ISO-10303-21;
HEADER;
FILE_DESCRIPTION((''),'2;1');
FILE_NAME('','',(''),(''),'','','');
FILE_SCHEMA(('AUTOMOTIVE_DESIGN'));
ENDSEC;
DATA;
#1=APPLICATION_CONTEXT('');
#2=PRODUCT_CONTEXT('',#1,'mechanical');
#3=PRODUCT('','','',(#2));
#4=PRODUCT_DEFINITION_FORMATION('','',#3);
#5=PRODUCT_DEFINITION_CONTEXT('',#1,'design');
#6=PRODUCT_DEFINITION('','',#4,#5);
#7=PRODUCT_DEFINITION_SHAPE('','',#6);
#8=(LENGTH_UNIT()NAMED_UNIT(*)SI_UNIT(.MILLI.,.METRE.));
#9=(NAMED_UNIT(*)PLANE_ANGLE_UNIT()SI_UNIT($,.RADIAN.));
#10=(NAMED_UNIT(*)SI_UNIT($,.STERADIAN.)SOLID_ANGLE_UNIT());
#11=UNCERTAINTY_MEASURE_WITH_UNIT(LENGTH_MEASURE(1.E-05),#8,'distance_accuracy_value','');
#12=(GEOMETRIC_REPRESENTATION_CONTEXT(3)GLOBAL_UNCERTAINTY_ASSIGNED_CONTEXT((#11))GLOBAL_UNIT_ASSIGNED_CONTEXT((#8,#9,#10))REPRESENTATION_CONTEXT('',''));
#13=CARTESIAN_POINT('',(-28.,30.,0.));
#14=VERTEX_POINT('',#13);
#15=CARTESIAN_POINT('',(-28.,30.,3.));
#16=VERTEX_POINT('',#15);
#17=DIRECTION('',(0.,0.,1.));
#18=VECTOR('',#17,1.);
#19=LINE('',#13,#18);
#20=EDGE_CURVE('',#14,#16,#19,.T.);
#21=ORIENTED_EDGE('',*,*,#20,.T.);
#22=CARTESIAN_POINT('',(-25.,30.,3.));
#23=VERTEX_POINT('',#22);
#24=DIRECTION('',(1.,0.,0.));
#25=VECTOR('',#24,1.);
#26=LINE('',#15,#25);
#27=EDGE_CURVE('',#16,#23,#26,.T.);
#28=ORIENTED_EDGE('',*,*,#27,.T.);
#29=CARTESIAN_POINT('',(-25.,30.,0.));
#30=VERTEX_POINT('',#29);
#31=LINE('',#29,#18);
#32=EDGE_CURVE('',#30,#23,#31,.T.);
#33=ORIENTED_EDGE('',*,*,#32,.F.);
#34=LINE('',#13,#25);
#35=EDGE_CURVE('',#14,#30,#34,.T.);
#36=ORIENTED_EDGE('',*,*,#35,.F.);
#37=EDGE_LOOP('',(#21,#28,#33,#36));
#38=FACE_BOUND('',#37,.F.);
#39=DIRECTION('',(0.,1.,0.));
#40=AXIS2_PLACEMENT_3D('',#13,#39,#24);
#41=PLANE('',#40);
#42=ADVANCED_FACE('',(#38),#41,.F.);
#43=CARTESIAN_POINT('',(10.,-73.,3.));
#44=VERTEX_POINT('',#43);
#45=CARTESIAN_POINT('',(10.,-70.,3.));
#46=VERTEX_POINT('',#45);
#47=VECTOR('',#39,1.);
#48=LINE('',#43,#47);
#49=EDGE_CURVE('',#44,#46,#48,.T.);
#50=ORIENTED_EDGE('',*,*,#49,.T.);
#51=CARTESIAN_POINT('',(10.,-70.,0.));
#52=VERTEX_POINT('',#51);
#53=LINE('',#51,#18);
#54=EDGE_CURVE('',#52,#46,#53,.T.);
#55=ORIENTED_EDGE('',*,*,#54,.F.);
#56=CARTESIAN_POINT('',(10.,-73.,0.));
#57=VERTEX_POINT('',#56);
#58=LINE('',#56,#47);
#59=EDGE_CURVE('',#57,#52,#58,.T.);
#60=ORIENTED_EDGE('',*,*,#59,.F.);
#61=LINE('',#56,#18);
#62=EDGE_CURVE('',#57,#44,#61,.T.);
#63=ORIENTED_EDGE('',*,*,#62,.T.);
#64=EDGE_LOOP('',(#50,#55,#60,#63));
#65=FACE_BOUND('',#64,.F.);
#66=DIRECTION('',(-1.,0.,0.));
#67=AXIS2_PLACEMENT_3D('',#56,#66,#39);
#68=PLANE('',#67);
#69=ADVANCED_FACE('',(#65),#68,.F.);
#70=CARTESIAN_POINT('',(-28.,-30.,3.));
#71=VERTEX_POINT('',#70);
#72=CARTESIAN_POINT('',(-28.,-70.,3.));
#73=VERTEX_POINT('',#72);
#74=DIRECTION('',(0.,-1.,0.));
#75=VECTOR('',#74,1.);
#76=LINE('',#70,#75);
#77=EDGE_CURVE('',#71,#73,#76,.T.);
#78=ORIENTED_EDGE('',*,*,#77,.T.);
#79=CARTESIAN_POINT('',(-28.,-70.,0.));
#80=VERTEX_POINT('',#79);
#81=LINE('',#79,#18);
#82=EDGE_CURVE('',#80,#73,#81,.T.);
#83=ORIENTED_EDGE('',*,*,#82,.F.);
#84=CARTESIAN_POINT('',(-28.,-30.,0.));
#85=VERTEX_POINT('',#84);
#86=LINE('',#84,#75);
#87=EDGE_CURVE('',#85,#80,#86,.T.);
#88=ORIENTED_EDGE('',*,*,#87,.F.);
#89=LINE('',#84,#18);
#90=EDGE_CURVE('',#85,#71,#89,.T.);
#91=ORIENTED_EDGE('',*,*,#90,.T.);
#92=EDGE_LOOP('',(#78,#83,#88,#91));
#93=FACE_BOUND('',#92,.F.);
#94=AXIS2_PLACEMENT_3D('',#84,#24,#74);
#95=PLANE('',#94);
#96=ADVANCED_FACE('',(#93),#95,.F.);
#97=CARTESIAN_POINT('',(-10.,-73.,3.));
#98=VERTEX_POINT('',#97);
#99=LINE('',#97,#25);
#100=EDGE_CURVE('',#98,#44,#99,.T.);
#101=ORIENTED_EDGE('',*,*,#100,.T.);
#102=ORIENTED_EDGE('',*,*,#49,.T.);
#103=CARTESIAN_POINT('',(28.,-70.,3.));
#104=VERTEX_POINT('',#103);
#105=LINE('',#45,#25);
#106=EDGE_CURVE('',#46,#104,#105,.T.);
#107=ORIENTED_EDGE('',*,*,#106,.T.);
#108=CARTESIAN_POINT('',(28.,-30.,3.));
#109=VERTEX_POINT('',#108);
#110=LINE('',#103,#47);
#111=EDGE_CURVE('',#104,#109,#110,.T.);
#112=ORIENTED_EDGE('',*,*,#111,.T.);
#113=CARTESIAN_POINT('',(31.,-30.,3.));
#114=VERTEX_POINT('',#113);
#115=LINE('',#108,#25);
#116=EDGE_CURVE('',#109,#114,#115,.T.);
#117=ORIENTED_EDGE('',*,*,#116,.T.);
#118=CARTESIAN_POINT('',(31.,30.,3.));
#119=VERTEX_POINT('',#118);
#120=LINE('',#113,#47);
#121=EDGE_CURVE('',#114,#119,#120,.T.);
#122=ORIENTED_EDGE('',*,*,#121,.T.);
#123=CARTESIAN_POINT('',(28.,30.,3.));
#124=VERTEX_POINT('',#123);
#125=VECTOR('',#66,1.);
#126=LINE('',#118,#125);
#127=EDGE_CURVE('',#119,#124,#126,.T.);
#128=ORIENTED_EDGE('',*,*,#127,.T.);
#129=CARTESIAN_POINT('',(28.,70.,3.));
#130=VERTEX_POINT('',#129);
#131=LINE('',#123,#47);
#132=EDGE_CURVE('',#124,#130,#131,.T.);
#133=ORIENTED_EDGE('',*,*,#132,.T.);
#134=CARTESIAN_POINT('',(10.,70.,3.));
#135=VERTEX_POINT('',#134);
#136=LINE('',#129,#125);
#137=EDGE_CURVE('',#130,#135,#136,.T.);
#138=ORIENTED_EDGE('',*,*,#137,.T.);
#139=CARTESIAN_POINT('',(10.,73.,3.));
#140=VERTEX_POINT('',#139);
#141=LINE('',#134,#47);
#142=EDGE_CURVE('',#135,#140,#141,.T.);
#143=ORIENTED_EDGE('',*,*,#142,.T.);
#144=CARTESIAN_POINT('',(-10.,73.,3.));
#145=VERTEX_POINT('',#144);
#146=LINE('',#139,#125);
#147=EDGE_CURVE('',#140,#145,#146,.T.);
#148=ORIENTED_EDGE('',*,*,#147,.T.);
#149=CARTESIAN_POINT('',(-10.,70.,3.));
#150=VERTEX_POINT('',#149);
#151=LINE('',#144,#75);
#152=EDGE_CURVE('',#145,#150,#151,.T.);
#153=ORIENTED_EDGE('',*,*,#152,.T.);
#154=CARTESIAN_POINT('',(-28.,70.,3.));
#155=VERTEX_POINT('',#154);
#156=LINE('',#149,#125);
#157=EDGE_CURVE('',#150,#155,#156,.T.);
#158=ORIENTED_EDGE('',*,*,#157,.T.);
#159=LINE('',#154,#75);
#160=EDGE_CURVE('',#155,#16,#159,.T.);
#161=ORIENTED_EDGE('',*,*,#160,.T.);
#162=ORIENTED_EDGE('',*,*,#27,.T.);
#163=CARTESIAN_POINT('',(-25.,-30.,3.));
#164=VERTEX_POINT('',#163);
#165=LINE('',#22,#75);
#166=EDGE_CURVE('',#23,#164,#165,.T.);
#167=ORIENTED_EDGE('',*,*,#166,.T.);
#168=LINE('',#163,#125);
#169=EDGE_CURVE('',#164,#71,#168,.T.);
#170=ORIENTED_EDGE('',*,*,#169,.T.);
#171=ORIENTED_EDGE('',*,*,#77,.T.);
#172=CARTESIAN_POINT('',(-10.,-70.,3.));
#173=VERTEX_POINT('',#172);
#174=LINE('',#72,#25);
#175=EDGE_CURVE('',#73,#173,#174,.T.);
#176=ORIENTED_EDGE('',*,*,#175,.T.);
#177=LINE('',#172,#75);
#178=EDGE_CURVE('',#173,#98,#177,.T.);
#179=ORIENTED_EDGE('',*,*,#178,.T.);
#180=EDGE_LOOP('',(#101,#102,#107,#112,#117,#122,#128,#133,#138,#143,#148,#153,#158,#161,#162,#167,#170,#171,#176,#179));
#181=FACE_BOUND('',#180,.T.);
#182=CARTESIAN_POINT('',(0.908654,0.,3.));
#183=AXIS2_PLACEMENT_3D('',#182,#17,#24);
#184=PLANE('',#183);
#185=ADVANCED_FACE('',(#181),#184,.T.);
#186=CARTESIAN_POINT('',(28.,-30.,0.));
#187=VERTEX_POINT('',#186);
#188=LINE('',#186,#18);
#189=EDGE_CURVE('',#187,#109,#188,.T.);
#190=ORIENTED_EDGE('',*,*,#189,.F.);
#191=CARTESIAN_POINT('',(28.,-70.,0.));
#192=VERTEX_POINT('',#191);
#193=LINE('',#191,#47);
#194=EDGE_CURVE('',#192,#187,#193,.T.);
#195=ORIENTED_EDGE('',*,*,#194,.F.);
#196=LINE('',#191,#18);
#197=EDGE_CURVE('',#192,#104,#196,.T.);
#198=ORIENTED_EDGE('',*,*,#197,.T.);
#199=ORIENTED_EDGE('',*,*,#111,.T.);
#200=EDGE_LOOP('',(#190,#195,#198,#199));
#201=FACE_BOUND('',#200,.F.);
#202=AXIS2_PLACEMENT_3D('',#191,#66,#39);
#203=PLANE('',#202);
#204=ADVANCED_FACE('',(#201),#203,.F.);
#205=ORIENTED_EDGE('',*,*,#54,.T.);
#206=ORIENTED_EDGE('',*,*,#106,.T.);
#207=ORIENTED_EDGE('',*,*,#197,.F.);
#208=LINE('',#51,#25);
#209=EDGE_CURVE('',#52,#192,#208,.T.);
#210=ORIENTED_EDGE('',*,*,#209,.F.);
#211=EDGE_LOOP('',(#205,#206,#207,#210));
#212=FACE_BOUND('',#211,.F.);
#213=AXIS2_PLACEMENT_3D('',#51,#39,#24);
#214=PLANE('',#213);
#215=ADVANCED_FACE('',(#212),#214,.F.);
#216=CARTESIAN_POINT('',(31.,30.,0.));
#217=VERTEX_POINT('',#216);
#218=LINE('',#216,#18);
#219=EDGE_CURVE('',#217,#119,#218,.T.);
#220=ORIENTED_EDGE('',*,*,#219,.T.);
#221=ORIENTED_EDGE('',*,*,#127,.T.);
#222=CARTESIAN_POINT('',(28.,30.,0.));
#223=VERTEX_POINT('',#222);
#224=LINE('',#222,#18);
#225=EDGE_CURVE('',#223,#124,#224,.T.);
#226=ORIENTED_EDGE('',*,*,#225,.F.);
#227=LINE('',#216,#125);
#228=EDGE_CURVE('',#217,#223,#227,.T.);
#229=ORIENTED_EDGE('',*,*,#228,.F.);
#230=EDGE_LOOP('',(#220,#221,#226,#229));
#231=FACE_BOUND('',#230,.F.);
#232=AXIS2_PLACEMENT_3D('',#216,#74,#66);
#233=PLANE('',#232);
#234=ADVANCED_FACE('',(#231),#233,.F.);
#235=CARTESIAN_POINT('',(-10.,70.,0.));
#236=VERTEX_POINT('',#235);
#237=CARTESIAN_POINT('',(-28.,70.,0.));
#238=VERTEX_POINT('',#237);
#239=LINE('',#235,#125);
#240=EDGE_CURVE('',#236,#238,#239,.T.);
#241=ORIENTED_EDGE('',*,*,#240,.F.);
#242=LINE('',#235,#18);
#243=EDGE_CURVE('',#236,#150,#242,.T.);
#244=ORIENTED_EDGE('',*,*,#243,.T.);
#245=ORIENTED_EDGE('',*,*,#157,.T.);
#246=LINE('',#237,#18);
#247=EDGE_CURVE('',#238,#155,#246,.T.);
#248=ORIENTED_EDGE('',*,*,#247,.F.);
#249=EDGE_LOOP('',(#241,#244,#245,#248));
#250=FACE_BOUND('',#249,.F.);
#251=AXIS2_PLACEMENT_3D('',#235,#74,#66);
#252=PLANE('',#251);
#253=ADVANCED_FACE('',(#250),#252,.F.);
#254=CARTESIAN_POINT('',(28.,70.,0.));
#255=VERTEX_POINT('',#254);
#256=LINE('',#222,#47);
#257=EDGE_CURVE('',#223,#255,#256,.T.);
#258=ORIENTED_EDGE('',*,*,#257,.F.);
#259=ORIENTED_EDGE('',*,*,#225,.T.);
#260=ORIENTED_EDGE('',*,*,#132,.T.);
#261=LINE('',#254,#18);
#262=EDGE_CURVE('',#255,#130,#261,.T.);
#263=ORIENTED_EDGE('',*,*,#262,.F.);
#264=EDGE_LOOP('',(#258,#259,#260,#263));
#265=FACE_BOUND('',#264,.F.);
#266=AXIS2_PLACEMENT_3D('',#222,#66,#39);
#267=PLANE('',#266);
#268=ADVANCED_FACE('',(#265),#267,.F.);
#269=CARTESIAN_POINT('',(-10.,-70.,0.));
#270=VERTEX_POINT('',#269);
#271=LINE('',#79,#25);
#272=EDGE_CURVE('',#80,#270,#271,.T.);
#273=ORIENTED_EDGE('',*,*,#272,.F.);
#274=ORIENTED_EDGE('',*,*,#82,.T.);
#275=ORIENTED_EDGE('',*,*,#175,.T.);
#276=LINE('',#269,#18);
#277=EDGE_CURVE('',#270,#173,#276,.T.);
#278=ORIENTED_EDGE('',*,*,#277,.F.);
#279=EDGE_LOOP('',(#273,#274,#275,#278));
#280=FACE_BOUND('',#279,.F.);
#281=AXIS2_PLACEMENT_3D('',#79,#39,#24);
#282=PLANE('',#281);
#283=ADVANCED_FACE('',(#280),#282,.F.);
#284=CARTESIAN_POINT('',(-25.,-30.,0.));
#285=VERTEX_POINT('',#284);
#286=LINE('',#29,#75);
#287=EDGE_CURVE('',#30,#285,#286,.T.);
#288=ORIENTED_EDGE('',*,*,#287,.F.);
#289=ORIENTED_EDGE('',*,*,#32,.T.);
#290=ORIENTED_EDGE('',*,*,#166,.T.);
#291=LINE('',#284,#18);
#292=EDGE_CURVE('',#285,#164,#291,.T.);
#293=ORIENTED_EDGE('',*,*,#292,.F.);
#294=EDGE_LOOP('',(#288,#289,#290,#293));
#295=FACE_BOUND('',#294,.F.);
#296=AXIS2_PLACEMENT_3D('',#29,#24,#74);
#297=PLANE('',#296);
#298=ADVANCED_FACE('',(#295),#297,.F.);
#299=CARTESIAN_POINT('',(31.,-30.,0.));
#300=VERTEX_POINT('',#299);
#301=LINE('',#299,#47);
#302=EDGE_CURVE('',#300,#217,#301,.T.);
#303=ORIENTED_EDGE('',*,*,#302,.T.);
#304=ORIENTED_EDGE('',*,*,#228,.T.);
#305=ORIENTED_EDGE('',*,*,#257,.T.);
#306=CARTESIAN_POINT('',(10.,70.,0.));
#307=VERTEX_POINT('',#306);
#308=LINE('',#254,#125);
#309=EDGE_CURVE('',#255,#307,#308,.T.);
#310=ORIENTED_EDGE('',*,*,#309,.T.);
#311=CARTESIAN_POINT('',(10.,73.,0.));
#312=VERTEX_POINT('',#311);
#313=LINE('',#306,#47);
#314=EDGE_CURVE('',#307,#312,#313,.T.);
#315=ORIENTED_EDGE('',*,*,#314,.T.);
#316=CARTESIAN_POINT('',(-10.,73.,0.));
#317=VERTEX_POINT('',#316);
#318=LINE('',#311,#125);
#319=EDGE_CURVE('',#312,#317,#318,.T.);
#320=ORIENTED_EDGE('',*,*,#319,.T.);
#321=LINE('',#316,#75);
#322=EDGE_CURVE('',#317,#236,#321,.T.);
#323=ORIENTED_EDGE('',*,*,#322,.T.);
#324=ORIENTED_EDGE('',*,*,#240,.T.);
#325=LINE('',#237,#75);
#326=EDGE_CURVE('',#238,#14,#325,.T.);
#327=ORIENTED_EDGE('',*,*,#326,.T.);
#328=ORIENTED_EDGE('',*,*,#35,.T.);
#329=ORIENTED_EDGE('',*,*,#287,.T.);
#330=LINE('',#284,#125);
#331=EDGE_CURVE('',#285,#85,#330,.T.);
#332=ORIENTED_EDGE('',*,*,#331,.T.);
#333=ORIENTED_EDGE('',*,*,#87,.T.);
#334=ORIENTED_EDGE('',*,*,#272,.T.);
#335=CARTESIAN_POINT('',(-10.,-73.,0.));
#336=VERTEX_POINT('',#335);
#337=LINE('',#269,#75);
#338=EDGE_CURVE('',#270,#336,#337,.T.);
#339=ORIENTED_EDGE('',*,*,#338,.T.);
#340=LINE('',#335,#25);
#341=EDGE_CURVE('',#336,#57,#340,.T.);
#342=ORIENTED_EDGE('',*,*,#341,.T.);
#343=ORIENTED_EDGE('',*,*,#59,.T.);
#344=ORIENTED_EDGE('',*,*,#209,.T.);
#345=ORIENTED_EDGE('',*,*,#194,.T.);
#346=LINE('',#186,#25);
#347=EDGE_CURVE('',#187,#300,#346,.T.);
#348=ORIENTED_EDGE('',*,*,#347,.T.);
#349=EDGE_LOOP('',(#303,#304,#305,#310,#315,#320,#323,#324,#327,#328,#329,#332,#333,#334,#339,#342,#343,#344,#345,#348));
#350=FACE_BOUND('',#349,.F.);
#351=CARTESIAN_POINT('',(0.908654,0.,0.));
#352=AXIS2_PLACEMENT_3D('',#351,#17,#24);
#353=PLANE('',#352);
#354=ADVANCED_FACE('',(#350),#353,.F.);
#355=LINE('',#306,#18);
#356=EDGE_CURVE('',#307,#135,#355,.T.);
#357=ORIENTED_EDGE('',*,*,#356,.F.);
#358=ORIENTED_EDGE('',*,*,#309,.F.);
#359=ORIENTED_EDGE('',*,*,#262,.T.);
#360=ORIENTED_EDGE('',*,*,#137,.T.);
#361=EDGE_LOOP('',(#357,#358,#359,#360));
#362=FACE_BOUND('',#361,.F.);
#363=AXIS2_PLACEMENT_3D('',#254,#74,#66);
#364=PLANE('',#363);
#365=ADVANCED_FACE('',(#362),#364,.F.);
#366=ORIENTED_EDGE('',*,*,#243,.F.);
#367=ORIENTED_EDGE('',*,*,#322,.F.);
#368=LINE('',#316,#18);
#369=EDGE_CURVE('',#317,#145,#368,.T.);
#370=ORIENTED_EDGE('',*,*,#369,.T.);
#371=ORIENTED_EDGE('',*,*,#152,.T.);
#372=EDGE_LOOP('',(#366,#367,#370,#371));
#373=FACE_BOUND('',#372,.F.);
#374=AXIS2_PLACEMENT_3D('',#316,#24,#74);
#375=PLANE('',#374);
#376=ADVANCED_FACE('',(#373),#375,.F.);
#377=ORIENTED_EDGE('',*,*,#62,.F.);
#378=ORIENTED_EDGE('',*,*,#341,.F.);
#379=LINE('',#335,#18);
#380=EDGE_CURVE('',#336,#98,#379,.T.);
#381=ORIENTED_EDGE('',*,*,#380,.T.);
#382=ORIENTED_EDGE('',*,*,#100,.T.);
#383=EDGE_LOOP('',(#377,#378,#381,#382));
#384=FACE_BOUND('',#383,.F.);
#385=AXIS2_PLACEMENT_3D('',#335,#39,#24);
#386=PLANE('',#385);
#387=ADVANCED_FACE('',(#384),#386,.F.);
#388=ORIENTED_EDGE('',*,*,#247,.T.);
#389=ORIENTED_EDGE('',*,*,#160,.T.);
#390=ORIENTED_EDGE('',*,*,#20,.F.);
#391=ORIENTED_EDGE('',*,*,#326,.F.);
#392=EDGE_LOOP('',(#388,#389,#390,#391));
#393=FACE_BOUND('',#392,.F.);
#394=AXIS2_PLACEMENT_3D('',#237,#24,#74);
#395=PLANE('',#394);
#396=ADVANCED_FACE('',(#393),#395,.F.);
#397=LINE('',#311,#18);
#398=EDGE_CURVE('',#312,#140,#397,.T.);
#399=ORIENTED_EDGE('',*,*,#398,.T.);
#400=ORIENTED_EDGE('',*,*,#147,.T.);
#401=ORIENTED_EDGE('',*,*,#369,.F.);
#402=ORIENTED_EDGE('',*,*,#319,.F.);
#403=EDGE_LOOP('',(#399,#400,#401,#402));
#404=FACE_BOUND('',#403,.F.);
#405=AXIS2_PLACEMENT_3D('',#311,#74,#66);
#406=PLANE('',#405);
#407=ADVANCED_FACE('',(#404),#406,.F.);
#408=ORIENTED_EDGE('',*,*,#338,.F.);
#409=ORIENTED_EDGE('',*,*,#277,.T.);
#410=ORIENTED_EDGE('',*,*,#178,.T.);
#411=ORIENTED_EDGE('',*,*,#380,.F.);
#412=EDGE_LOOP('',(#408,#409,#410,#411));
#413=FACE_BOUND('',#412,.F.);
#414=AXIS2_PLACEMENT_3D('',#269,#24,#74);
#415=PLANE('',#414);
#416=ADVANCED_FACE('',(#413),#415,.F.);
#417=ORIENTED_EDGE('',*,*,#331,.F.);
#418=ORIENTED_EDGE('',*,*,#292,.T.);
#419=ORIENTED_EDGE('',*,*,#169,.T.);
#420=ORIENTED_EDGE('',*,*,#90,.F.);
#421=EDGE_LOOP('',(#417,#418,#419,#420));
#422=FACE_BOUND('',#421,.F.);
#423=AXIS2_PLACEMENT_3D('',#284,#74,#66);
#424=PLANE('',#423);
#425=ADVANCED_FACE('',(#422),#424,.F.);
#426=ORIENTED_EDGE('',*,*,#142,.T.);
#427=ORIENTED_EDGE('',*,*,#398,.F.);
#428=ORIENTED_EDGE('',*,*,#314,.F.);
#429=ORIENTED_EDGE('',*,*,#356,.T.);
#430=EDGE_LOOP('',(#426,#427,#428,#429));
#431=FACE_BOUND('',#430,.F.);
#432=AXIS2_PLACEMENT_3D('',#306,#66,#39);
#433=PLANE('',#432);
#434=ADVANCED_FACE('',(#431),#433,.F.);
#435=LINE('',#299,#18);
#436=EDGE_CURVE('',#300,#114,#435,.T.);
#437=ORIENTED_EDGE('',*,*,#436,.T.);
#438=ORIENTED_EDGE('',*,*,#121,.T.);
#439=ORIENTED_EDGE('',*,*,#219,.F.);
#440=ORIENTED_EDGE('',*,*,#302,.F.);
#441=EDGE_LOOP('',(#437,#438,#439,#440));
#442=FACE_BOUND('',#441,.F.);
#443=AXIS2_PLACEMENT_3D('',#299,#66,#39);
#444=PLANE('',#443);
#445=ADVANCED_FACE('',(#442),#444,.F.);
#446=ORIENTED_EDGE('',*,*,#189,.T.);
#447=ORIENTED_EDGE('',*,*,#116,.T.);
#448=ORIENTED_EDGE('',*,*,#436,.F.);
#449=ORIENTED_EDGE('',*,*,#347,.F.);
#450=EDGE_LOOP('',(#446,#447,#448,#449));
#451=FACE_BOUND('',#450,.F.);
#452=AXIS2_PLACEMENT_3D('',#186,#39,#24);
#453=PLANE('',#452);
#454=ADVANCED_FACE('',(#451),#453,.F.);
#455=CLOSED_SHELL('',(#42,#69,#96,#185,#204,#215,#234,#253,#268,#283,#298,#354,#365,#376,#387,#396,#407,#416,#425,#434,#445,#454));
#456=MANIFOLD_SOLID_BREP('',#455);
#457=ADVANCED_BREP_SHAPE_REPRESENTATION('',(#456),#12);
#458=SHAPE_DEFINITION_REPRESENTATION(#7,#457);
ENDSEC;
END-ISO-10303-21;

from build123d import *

# Parameters (mm, degrees)
F1_DEPTH = 3


with BuildPart() as f1:
    # F0 (on Top) → F1 (new body)
    with BuildSketch(Plane.XY):
        Polygon((10, -70), (28, -70), (28, -30), (31, -30), (31, 30), (28, 30), (28, 70), (10, 70), (10, 73), (-10, 73), (-10, 70), (-28, 70), (-28, 30), (-25, 30), (-25, -30), (-28, -30), (-28, -70), (-10, -70), (-10, -73), (10, -73), align=None)
    extrude(amount=F1_DEPTH)


solid = f1.part
